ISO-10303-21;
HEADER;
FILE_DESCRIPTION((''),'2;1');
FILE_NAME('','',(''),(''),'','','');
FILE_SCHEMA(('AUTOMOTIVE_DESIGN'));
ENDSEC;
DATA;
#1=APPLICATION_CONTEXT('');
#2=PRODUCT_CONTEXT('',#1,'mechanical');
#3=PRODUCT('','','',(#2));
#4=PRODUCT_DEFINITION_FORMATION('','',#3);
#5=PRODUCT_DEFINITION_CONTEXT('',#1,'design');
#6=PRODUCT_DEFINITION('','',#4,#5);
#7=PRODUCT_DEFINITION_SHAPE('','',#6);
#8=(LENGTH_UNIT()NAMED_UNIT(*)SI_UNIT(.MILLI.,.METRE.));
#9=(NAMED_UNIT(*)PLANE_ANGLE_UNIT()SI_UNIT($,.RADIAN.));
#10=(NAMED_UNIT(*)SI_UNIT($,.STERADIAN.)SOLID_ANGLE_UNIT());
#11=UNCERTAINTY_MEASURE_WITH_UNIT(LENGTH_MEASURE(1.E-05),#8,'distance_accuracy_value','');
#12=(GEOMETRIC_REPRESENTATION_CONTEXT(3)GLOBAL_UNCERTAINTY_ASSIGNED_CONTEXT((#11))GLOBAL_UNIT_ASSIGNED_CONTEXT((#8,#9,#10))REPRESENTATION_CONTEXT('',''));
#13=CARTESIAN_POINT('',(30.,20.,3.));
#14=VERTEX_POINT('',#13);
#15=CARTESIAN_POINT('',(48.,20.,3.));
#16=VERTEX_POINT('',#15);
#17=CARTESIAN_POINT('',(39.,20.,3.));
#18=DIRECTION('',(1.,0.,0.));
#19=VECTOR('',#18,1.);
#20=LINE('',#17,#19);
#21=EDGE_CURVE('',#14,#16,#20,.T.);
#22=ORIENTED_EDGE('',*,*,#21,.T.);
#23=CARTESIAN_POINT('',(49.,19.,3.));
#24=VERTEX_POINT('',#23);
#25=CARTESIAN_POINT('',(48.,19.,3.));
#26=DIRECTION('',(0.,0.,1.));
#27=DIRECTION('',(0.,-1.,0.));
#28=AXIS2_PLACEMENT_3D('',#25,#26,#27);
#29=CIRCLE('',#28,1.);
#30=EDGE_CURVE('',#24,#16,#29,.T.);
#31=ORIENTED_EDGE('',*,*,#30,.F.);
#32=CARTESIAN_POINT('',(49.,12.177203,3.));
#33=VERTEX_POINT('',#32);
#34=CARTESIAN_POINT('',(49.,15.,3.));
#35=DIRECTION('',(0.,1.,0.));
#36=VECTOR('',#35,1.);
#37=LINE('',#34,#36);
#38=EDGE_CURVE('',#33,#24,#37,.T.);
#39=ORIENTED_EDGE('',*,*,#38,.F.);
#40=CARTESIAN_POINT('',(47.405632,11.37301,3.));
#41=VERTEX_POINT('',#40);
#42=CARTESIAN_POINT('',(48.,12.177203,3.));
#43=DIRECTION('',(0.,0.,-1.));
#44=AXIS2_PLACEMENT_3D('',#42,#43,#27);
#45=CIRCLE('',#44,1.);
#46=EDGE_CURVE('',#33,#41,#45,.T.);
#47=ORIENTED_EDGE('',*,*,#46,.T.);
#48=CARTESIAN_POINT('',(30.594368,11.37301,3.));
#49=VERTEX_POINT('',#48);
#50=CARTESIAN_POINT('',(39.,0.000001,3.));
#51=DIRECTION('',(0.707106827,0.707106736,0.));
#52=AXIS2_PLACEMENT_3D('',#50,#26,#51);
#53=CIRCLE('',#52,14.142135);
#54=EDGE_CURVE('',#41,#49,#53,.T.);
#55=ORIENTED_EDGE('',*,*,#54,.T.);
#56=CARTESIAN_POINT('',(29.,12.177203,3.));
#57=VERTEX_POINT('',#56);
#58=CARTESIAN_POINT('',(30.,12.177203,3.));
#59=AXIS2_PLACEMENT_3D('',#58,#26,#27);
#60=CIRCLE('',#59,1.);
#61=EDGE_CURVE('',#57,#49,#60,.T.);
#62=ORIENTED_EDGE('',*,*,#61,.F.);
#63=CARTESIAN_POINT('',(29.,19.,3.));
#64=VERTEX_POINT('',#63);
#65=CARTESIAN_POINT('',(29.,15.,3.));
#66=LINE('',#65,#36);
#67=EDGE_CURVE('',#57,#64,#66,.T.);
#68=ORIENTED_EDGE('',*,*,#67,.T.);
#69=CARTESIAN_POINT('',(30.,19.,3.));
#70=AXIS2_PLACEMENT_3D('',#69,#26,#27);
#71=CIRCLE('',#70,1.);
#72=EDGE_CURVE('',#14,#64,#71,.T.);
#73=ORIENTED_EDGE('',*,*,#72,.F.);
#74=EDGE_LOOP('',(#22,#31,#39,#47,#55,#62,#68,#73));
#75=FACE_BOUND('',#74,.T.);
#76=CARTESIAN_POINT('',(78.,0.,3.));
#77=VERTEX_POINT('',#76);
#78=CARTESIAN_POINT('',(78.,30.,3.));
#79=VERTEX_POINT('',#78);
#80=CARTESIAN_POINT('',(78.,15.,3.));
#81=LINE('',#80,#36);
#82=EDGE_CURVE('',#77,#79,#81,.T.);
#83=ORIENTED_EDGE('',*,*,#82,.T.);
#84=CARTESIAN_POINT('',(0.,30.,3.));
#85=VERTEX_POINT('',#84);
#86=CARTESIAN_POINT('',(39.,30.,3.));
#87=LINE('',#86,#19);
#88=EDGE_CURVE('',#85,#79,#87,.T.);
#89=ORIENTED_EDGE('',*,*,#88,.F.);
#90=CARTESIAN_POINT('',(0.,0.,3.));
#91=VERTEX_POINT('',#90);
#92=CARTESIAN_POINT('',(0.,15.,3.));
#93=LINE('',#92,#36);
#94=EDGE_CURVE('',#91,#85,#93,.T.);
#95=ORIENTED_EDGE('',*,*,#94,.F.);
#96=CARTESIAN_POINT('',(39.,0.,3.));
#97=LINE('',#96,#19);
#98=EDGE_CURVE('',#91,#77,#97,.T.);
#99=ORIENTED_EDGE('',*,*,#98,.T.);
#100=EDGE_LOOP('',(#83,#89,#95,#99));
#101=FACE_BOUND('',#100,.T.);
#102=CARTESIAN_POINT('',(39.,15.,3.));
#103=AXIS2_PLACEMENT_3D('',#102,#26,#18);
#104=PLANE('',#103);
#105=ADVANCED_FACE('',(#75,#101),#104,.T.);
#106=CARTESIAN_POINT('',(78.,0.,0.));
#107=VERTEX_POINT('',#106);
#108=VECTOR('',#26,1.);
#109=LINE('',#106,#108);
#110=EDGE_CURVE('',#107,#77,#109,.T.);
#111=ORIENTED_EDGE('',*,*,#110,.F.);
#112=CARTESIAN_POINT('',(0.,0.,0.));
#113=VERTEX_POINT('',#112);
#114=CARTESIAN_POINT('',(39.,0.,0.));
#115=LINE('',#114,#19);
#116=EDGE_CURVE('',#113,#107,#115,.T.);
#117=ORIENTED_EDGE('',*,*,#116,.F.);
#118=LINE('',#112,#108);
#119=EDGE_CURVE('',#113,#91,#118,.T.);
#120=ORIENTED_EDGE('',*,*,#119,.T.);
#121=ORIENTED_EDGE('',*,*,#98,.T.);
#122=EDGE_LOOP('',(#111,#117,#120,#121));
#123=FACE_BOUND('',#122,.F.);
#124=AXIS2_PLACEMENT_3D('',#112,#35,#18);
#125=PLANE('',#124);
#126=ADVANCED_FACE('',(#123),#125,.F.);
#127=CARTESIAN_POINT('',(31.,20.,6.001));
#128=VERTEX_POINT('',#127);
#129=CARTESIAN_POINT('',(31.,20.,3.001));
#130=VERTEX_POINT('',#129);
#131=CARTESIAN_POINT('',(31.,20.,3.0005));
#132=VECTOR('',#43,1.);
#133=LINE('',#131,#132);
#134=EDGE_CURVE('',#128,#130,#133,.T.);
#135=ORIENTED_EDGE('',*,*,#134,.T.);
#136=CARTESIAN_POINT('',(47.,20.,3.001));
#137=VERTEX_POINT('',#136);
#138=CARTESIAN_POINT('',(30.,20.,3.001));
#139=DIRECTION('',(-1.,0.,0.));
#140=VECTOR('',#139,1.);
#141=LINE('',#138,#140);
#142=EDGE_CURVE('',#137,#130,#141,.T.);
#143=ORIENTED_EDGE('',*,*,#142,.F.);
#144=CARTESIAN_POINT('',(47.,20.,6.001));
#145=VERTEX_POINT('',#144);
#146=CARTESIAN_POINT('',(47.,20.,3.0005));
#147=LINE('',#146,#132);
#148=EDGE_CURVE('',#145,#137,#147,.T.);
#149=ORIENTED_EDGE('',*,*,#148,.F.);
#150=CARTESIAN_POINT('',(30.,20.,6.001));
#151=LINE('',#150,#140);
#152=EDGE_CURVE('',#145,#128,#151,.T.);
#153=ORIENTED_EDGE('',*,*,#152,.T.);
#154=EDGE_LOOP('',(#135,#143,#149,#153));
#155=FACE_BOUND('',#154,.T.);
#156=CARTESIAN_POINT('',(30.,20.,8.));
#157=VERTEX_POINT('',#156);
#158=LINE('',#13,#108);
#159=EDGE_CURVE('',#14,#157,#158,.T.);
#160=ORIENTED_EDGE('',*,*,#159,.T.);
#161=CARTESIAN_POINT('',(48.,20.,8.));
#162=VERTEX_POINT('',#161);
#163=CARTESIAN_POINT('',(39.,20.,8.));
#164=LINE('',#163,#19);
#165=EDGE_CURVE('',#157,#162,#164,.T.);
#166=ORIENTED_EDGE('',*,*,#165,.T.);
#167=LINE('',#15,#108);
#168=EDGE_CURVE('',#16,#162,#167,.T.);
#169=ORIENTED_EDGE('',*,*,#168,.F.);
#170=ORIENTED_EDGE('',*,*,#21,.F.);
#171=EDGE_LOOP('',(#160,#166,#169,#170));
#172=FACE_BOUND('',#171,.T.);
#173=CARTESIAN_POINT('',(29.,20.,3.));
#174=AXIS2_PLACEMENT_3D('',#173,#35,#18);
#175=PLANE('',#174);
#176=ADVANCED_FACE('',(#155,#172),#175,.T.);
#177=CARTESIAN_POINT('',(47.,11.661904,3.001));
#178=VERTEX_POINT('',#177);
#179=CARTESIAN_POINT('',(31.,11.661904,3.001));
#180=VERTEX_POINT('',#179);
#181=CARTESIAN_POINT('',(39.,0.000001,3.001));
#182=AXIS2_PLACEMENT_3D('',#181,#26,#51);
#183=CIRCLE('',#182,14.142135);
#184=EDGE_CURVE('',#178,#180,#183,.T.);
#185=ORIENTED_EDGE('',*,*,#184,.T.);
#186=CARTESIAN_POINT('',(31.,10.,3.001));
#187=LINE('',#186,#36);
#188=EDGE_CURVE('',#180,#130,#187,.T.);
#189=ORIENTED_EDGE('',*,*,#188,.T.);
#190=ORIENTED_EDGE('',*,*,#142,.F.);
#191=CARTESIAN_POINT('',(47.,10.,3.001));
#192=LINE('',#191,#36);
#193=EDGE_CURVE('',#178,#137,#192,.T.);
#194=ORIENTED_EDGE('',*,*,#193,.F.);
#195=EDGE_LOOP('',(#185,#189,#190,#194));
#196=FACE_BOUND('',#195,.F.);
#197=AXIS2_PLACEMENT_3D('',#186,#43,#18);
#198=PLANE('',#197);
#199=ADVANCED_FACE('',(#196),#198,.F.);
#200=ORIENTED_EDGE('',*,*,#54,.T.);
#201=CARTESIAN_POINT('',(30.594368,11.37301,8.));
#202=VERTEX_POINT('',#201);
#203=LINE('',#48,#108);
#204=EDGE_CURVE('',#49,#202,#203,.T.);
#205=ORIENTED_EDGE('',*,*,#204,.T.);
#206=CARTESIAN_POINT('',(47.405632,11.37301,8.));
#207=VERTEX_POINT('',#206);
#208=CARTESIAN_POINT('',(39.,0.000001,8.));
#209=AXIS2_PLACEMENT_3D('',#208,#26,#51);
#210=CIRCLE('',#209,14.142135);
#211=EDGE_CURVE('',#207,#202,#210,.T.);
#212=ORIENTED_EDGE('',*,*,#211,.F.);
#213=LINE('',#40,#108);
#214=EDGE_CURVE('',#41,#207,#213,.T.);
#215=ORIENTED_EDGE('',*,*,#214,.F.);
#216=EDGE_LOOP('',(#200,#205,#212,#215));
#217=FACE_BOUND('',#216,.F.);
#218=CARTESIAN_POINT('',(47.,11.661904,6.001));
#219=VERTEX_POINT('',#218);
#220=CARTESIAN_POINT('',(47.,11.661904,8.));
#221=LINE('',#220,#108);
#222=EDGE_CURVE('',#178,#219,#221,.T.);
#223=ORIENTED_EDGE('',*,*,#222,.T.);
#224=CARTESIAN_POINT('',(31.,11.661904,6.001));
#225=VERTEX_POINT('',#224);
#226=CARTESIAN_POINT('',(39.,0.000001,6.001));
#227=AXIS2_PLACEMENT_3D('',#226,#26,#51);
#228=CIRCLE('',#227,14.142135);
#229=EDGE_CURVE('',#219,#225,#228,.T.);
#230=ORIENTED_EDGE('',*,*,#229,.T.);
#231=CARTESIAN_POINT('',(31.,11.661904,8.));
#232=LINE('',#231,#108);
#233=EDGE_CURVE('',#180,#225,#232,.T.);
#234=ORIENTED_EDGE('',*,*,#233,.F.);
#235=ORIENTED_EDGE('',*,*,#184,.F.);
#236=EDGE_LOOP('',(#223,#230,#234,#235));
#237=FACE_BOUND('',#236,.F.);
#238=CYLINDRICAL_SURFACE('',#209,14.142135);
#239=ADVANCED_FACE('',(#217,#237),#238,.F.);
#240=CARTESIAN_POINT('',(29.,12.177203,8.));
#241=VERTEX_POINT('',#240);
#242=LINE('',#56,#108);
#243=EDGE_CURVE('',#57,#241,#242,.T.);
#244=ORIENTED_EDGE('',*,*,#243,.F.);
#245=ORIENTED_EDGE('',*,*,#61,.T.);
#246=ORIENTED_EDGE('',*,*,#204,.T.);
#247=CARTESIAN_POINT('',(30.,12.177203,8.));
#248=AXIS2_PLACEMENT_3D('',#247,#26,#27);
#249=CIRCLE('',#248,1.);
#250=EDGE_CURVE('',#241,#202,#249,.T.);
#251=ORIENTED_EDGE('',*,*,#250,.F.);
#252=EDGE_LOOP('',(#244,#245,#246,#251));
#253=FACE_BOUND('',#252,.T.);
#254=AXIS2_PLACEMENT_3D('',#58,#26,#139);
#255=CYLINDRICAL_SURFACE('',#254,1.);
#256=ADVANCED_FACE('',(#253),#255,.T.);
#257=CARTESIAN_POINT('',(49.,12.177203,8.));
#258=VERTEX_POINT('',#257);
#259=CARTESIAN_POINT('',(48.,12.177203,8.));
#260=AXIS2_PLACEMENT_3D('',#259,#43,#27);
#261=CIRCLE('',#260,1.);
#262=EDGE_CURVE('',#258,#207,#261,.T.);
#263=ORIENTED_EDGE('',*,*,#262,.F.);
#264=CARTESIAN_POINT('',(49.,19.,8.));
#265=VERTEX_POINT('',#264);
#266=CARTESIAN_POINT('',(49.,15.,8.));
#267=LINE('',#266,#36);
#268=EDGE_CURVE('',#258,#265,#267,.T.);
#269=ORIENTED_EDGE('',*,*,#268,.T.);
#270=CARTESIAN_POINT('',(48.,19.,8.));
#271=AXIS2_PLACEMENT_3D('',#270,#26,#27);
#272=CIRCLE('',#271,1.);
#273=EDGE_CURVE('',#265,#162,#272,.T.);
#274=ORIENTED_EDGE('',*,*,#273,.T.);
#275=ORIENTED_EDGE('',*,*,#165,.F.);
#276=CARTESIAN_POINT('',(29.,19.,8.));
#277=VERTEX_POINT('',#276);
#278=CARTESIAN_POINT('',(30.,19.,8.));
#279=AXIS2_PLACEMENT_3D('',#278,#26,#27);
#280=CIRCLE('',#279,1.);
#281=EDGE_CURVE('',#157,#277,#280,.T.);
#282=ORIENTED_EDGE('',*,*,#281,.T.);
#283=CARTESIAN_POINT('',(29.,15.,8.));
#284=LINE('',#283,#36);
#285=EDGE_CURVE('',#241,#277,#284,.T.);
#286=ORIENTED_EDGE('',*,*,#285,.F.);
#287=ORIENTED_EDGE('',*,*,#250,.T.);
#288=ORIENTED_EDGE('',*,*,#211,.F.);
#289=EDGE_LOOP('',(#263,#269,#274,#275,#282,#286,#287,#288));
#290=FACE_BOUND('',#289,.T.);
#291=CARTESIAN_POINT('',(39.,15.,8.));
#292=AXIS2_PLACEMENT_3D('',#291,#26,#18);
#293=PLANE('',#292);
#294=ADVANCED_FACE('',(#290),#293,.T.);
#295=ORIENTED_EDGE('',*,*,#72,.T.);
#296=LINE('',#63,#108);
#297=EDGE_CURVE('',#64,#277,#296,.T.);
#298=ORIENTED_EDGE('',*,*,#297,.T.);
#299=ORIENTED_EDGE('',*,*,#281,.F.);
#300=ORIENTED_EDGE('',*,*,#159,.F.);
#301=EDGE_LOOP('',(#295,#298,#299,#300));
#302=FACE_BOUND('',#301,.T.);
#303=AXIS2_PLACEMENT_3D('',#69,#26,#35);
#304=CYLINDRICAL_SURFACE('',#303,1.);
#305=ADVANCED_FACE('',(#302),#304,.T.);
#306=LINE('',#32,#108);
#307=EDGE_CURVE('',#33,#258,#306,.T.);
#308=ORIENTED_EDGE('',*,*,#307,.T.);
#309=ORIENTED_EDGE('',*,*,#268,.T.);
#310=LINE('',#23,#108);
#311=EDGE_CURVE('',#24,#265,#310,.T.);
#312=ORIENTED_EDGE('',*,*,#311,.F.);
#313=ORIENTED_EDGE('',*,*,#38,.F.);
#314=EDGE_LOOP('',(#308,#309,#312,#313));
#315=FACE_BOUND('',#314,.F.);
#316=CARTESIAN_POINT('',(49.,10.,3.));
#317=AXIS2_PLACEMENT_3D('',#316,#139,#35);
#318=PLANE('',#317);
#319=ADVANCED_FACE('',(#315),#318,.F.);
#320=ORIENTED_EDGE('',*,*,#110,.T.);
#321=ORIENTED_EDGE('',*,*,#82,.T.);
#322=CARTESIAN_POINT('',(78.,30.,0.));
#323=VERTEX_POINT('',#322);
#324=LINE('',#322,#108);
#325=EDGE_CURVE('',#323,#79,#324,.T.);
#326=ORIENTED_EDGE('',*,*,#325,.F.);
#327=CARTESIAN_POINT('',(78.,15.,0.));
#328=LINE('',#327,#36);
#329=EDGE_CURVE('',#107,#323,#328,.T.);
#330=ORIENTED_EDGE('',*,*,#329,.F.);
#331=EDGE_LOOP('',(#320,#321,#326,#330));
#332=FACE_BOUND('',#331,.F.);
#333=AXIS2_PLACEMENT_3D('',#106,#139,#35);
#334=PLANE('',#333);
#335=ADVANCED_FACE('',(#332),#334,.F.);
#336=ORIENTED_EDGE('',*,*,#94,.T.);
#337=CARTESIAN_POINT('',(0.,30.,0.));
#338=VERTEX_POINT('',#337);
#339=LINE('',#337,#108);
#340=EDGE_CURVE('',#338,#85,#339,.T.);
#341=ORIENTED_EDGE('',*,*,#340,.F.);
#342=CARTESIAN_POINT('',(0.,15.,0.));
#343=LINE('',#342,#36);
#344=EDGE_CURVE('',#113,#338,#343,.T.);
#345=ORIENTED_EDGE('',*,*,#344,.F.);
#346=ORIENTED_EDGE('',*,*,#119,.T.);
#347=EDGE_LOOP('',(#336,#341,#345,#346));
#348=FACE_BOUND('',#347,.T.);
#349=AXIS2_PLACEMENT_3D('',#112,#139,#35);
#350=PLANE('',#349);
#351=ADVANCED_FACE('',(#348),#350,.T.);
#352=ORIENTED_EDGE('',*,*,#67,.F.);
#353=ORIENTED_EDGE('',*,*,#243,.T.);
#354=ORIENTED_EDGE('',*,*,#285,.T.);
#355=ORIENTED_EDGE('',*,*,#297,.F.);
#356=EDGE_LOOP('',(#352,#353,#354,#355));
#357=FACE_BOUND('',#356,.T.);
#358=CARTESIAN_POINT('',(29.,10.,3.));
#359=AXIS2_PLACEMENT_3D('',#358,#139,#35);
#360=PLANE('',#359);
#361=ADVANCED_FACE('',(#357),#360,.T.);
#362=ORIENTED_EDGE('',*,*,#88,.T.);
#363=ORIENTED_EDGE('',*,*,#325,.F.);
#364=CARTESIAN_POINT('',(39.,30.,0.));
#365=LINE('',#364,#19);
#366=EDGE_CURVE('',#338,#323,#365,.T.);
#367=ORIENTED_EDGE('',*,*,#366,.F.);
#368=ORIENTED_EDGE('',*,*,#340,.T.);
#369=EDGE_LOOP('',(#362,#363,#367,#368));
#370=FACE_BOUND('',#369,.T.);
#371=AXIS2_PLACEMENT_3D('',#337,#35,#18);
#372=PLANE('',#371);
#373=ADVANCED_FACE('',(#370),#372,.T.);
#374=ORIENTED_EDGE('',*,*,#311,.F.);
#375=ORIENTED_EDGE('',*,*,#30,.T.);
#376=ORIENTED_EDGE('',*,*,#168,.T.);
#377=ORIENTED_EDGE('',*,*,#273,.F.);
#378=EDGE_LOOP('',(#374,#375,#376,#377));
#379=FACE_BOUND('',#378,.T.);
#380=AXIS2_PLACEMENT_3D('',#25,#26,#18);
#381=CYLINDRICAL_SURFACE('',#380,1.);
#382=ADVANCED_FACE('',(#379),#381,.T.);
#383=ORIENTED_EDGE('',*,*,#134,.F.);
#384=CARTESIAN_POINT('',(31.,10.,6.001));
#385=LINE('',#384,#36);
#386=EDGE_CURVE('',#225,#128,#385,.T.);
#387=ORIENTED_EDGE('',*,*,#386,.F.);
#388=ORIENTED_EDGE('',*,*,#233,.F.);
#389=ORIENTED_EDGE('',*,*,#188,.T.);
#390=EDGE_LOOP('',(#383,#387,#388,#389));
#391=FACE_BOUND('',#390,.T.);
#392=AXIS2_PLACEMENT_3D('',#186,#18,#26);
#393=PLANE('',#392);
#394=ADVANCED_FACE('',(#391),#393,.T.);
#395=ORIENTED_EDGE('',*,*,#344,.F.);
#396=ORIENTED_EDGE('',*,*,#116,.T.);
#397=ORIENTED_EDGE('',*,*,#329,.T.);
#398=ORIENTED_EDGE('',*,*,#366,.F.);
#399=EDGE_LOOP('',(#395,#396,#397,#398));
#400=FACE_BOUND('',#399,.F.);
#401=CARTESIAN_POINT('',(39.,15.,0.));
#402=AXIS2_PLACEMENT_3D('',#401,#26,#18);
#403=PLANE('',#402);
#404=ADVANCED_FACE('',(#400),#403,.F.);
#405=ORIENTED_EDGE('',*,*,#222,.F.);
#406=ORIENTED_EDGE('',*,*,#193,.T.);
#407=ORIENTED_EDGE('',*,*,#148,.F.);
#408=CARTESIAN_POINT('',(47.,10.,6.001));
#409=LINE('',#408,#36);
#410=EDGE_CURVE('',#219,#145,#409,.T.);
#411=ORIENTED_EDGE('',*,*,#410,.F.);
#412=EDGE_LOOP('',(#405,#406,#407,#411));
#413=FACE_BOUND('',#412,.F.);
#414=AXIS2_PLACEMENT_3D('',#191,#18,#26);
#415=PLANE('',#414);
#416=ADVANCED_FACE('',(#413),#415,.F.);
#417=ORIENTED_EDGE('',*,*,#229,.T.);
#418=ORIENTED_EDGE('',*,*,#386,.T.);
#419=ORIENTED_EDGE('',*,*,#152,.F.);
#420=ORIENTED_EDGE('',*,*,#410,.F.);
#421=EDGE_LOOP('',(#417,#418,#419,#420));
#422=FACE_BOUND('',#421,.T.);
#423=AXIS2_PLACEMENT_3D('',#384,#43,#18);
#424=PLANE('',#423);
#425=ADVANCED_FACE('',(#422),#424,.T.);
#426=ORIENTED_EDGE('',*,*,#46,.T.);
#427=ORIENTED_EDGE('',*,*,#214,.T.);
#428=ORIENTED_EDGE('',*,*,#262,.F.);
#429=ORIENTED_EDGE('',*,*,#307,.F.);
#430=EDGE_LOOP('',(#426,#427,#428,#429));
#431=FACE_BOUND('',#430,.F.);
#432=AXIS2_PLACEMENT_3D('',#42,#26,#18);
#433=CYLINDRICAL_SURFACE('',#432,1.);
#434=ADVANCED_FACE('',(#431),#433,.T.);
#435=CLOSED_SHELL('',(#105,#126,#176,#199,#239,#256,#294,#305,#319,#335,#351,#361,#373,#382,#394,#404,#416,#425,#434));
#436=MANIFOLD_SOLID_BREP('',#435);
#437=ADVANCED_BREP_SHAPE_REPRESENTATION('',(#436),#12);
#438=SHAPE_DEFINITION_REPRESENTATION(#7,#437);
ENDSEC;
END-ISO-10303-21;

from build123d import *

# Parameters (mm, degrees)
BOX_W           = 78
BOX_H           = 30
BOX_DEPTH       = 3
SKETCH001_W     = 20
SKETCH001_H     = 10
PAD_DEPTH       = 5
SKETCH002_W     = 16
SKETCH002_H     = 3
POCKET_DEPTH    = 20.001
POCKET001_DEPTH = 5
FILLET_R        = 1


with BuildPart() as part:
    # Box → Box (join)
    with BuildSketch(Plane.XY):
        with Locations((39, 15)):
            Rectangle(BOX_W, BOX_H)
    extrude(amount=BOX_DEPTH)

    # Sketch001 (on Face6 of Box) → Pad (join)
    with BuildSketch(Plane.XY.offset(3)):
        with Locations((39, 15)):
            Rectangle(SKETCH001_W, SKETCH001_H)
    extrude(amount=PAD_DEPTH)

    # Sketch002 (on Face8 of Pad) → Pocket (cut, through all)
    with BuildSketch(Plane.XZ.offset(-10)):
        with Locations((39, 4.501)):
            Rectangle(SKETCH002_W, SKETCH002_H)
    extrude(amount=-POCKET_DEPTH, mode=Mode.SUBTRACT)

    # Sketch003 (on Face11 of Pocket) → Pocket001 (cut)
    with BuildSketch(Plane.XY.offset(8)):
        with BuildLine():
            ThreePointArc((49, 10), (39, 14.142136), (29, 10))
            Line((29, 10), (49, 10))
        make_face()
    extrude(amount=-POCKET001_DEPTH, mode=Mode.SUBTRACT)

    # Fillet
    fillet_edges = [part.edges().sort_by_distance(p)[0] for p in [
        (49, 10, 5.5),
        (49, 20, 5.5),
        (29, 20, 5.5),
        (29, 10, 5.5),
    ]]
    fillet(fillet_edges, radius=FILLET_R)


solid = part.part
